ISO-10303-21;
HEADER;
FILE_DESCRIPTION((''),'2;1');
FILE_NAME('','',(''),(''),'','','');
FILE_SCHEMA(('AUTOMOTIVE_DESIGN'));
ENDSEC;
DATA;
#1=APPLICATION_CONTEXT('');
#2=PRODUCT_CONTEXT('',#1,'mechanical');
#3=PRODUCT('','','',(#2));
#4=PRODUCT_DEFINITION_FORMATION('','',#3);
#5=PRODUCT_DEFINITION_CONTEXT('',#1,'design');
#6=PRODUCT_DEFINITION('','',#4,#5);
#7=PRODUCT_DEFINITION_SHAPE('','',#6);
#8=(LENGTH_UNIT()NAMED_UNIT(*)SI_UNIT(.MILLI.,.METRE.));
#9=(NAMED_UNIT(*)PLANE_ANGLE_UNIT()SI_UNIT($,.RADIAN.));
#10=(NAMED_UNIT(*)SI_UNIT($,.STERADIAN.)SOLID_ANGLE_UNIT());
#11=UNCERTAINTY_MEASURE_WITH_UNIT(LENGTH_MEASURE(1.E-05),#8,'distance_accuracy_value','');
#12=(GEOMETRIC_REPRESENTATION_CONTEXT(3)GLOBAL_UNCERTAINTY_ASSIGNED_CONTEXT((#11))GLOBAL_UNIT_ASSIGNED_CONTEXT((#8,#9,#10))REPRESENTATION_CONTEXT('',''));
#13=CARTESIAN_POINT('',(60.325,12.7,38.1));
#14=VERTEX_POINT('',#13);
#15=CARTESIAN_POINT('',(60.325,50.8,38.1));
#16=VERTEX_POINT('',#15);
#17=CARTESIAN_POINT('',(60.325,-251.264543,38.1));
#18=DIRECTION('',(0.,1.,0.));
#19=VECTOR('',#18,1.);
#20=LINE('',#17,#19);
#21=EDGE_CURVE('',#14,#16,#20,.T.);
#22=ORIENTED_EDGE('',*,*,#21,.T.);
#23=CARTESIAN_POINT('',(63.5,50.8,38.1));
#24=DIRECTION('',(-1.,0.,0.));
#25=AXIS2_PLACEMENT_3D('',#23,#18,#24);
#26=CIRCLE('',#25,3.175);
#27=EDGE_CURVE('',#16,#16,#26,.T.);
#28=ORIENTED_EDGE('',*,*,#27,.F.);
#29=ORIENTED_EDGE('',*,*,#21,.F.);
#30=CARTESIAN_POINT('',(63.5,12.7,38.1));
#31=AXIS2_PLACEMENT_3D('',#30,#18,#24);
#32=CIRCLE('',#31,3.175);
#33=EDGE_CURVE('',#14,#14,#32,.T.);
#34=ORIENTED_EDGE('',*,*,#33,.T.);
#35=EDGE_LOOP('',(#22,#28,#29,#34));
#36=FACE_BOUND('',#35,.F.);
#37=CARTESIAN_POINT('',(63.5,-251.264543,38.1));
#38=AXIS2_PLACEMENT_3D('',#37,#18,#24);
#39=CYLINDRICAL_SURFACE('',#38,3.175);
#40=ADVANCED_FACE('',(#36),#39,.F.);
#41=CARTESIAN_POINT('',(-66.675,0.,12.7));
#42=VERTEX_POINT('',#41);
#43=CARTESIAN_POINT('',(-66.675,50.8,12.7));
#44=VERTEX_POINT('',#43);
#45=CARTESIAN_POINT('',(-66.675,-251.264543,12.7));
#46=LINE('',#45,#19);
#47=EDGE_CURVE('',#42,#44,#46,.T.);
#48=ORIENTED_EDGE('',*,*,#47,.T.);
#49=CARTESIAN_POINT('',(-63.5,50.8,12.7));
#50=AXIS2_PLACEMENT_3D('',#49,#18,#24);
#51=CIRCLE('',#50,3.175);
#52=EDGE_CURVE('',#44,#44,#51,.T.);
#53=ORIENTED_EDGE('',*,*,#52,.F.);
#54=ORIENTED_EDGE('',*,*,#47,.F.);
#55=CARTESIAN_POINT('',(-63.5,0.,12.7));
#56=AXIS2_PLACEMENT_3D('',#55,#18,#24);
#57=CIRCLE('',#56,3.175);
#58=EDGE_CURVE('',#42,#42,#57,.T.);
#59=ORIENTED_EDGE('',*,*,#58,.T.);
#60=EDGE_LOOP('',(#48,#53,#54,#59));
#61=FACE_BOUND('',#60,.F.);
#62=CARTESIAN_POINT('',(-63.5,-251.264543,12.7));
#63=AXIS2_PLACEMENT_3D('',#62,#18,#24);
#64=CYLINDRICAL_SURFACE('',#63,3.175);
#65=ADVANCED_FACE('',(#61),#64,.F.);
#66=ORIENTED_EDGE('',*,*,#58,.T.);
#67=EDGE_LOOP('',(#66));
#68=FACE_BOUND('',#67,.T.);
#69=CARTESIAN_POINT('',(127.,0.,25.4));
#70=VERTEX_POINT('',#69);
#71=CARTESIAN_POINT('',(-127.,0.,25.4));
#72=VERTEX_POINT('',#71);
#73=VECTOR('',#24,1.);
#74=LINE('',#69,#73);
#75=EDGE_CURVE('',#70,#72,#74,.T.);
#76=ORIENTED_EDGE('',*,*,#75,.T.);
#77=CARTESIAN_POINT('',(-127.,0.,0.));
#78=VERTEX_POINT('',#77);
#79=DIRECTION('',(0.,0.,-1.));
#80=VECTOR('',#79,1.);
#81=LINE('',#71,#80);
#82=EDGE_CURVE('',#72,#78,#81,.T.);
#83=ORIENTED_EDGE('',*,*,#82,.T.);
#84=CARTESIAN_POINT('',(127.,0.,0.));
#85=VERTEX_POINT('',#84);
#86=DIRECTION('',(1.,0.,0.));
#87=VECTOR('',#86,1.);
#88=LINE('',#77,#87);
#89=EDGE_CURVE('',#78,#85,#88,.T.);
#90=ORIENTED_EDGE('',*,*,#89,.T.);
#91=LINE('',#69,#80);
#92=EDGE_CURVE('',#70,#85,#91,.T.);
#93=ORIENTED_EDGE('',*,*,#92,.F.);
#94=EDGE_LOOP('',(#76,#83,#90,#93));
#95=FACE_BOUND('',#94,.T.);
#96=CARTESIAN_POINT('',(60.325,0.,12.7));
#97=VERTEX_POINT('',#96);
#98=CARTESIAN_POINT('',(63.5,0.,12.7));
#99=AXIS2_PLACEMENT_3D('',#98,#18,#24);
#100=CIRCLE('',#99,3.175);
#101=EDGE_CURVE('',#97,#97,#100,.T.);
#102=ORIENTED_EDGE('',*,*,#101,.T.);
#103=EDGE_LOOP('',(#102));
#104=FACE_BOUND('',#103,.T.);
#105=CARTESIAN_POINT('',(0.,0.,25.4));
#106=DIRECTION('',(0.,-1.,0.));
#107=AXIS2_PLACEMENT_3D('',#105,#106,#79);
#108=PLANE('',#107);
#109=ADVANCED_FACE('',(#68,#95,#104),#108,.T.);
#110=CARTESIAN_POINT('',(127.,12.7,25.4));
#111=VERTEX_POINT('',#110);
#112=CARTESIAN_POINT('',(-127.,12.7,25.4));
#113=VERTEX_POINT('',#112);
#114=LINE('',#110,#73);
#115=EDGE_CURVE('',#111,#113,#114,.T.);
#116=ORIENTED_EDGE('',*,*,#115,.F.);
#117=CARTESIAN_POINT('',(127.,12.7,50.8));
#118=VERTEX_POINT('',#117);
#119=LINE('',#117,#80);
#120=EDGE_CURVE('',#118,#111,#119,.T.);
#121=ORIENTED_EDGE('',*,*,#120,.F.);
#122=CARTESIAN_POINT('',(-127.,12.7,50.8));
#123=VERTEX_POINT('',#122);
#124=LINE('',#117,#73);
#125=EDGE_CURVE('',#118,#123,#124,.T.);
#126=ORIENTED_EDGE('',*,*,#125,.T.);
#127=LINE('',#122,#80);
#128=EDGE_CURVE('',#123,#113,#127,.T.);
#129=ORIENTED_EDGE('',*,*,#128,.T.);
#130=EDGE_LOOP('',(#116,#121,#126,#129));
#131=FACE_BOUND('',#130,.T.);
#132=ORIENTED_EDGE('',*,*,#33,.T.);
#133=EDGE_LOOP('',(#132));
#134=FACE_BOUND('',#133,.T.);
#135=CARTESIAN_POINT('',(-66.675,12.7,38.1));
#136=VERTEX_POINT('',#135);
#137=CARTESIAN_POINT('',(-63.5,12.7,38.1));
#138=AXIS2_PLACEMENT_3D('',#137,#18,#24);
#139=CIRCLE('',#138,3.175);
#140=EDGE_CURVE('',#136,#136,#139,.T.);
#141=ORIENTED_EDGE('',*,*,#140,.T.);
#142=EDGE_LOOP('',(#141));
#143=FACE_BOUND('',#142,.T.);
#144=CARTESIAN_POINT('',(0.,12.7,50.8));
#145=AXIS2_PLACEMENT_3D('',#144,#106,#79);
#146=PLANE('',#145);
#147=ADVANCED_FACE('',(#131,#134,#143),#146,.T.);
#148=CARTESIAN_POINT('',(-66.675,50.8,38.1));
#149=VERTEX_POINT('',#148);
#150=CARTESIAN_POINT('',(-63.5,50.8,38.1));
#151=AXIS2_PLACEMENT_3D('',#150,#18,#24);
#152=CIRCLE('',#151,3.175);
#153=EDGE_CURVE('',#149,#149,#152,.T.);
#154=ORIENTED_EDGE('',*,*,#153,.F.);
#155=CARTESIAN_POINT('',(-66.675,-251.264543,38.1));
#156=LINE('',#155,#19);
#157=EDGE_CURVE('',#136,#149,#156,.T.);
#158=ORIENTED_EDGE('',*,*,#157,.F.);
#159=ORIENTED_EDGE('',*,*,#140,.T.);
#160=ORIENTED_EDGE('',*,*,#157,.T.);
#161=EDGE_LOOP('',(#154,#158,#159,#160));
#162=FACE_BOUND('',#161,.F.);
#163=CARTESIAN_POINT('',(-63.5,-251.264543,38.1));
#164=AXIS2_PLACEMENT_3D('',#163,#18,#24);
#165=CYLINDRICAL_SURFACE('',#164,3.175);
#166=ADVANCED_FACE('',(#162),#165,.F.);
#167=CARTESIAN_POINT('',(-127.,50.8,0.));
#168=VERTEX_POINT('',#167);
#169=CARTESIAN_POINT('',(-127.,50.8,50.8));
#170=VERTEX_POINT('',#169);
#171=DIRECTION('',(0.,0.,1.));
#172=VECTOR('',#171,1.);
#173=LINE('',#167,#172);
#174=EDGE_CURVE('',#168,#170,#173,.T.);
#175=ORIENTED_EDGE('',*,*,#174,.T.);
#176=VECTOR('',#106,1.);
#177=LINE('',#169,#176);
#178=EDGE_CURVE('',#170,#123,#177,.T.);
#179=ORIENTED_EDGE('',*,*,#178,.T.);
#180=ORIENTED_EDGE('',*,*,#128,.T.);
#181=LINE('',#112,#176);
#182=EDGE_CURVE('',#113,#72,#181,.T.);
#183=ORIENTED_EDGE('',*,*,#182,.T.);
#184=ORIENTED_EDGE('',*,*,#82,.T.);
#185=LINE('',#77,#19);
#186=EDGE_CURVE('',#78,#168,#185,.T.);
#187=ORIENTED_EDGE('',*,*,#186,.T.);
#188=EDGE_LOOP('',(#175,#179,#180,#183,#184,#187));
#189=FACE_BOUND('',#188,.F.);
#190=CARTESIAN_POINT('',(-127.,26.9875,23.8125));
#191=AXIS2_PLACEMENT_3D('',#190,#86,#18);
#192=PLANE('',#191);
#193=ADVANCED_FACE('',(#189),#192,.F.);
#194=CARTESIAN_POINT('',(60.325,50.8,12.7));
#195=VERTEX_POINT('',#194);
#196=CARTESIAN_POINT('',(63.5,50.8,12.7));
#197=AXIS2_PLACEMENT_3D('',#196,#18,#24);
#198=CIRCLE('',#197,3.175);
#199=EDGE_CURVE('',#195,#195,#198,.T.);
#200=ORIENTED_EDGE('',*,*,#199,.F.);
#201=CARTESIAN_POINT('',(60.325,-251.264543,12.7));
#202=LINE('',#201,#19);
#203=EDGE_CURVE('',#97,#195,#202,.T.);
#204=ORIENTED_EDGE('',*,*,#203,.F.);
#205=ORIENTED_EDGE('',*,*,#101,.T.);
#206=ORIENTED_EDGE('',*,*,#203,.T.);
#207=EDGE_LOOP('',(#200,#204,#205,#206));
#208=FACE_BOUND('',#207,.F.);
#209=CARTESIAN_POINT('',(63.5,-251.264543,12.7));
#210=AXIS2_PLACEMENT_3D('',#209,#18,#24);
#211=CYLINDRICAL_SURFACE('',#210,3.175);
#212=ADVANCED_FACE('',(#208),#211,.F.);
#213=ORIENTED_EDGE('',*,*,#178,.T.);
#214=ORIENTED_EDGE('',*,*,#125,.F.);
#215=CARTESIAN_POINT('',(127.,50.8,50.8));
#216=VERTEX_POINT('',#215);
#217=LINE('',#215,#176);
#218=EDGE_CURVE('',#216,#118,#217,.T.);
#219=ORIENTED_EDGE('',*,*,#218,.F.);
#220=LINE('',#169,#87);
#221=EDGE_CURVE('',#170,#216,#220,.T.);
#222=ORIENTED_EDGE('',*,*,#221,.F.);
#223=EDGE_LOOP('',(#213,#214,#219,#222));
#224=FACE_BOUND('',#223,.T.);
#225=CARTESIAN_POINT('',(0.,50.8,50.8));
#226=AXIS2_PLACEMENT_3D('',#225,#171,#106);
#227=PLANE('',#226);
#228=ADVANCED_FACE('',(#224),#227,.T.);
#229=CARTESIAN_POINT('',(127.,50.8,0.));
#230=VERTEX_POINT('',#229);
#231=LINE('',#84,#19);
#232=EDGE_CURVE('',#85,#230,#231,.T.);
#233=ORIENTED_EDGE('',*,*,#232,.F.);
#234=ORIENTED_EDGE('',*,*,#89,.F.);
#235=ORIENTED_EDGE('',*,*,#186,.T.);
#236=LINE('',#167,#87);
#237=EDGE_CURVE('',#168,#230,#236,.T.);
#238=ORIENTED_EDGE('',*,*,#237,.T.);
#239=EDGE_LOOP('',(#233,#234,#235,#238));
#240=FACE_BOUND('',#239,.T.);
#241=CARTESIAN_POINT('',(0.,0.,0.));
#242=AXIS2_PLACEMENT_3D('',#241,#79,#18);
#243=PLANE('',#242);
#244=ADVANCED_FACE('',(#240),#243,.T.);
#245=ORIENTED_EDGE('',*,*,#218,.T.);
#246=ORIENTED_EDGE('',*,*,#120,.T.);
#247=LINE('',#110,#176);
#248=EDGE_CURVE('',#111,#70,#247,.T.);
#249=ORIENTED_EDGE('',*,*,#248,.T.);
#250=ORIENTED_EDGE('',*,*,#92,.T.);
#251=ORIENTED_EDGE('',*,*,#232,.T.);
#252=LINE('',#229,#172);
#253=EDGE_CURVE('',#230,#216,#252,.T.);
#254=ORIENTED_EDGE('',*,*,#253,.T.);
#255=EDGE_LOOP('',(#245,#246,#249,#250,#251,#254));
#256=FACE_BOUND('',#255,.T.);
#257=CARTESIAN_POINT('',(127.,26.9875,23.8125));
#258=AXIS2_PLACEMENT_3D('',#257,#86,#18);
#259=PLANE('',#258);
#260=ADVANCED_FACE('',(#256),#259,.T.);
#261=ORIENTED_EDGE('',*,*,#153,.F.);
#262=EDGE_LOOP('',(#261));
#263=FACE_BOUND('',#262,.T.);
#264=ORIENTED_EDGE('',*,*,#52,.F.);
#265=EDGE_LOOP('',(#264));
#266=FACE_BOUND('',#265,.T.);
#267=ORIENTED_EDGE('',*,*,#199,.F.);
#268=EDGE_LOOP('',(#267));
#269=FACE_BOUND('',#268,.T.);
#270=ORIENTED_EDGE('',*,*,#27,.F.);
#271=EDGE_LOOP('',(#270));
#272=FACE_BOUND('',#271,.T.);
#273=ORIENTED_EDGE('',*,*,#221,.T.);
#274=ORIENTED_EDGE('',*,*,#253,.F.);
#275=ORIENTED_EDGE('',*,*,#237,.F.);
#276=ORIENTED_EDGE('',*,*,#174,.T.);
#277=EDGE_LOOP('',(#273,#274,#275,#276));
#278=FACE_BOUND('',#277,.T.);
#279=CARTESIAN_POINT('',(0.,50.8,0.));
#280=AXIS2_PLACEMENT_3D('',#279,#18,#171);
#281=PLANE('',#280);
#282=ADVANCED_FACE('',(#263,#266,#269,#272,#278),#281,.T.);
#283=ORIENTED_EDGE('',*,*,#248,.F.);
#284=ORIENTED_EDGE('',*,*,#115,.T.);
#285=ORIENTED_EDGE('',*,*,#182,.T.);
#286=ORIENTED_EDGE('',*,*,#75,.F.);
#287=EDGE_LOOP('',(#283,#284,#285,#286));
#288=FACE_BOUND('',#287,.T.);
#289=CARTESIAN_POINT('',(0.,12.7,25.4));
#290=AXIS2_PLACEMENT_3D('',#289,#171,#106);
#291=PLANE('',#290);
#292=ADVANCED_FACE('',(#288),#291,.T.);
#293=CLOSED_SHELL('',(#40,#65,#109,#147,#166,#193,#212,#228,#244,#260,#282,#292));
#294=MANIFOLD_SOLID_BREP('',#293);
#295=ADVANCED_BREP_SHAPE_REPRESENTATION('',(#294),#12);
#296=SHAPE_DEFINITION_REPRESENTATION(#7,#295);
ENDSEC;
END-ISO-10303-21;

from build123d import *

# Parameters (mm, degrees)
F1_DEPTH      = 127
F1_DEPTH_BACK = 127
F4_D          = 6.35


with BuildPart() as f1:
    # F0 (on Right) → F1 (new body, two sides)
    with BuildSketch(Plane.YZ) as f1_sk:
        Polygon((0, 25.4), (0, 0), (50.8, 0), (50.8, 50.8), (12.7, 50.8), (12.7, 25.4), align=None)
    extrude(amount=F1_DEPTH)
    extrude(f1_sk.sketch, amount=-F1_DEPTH_BACK)

    # F4 (through all)
    with Locations(Plane.XZ.offset(-12.7)):
        with Locations((-63.5, 38.1), (-63.5, 12.7), (63.5, 38.1), (63.5, 12.7)):
            Hole(F4_D / 2)


solid = f1.part
